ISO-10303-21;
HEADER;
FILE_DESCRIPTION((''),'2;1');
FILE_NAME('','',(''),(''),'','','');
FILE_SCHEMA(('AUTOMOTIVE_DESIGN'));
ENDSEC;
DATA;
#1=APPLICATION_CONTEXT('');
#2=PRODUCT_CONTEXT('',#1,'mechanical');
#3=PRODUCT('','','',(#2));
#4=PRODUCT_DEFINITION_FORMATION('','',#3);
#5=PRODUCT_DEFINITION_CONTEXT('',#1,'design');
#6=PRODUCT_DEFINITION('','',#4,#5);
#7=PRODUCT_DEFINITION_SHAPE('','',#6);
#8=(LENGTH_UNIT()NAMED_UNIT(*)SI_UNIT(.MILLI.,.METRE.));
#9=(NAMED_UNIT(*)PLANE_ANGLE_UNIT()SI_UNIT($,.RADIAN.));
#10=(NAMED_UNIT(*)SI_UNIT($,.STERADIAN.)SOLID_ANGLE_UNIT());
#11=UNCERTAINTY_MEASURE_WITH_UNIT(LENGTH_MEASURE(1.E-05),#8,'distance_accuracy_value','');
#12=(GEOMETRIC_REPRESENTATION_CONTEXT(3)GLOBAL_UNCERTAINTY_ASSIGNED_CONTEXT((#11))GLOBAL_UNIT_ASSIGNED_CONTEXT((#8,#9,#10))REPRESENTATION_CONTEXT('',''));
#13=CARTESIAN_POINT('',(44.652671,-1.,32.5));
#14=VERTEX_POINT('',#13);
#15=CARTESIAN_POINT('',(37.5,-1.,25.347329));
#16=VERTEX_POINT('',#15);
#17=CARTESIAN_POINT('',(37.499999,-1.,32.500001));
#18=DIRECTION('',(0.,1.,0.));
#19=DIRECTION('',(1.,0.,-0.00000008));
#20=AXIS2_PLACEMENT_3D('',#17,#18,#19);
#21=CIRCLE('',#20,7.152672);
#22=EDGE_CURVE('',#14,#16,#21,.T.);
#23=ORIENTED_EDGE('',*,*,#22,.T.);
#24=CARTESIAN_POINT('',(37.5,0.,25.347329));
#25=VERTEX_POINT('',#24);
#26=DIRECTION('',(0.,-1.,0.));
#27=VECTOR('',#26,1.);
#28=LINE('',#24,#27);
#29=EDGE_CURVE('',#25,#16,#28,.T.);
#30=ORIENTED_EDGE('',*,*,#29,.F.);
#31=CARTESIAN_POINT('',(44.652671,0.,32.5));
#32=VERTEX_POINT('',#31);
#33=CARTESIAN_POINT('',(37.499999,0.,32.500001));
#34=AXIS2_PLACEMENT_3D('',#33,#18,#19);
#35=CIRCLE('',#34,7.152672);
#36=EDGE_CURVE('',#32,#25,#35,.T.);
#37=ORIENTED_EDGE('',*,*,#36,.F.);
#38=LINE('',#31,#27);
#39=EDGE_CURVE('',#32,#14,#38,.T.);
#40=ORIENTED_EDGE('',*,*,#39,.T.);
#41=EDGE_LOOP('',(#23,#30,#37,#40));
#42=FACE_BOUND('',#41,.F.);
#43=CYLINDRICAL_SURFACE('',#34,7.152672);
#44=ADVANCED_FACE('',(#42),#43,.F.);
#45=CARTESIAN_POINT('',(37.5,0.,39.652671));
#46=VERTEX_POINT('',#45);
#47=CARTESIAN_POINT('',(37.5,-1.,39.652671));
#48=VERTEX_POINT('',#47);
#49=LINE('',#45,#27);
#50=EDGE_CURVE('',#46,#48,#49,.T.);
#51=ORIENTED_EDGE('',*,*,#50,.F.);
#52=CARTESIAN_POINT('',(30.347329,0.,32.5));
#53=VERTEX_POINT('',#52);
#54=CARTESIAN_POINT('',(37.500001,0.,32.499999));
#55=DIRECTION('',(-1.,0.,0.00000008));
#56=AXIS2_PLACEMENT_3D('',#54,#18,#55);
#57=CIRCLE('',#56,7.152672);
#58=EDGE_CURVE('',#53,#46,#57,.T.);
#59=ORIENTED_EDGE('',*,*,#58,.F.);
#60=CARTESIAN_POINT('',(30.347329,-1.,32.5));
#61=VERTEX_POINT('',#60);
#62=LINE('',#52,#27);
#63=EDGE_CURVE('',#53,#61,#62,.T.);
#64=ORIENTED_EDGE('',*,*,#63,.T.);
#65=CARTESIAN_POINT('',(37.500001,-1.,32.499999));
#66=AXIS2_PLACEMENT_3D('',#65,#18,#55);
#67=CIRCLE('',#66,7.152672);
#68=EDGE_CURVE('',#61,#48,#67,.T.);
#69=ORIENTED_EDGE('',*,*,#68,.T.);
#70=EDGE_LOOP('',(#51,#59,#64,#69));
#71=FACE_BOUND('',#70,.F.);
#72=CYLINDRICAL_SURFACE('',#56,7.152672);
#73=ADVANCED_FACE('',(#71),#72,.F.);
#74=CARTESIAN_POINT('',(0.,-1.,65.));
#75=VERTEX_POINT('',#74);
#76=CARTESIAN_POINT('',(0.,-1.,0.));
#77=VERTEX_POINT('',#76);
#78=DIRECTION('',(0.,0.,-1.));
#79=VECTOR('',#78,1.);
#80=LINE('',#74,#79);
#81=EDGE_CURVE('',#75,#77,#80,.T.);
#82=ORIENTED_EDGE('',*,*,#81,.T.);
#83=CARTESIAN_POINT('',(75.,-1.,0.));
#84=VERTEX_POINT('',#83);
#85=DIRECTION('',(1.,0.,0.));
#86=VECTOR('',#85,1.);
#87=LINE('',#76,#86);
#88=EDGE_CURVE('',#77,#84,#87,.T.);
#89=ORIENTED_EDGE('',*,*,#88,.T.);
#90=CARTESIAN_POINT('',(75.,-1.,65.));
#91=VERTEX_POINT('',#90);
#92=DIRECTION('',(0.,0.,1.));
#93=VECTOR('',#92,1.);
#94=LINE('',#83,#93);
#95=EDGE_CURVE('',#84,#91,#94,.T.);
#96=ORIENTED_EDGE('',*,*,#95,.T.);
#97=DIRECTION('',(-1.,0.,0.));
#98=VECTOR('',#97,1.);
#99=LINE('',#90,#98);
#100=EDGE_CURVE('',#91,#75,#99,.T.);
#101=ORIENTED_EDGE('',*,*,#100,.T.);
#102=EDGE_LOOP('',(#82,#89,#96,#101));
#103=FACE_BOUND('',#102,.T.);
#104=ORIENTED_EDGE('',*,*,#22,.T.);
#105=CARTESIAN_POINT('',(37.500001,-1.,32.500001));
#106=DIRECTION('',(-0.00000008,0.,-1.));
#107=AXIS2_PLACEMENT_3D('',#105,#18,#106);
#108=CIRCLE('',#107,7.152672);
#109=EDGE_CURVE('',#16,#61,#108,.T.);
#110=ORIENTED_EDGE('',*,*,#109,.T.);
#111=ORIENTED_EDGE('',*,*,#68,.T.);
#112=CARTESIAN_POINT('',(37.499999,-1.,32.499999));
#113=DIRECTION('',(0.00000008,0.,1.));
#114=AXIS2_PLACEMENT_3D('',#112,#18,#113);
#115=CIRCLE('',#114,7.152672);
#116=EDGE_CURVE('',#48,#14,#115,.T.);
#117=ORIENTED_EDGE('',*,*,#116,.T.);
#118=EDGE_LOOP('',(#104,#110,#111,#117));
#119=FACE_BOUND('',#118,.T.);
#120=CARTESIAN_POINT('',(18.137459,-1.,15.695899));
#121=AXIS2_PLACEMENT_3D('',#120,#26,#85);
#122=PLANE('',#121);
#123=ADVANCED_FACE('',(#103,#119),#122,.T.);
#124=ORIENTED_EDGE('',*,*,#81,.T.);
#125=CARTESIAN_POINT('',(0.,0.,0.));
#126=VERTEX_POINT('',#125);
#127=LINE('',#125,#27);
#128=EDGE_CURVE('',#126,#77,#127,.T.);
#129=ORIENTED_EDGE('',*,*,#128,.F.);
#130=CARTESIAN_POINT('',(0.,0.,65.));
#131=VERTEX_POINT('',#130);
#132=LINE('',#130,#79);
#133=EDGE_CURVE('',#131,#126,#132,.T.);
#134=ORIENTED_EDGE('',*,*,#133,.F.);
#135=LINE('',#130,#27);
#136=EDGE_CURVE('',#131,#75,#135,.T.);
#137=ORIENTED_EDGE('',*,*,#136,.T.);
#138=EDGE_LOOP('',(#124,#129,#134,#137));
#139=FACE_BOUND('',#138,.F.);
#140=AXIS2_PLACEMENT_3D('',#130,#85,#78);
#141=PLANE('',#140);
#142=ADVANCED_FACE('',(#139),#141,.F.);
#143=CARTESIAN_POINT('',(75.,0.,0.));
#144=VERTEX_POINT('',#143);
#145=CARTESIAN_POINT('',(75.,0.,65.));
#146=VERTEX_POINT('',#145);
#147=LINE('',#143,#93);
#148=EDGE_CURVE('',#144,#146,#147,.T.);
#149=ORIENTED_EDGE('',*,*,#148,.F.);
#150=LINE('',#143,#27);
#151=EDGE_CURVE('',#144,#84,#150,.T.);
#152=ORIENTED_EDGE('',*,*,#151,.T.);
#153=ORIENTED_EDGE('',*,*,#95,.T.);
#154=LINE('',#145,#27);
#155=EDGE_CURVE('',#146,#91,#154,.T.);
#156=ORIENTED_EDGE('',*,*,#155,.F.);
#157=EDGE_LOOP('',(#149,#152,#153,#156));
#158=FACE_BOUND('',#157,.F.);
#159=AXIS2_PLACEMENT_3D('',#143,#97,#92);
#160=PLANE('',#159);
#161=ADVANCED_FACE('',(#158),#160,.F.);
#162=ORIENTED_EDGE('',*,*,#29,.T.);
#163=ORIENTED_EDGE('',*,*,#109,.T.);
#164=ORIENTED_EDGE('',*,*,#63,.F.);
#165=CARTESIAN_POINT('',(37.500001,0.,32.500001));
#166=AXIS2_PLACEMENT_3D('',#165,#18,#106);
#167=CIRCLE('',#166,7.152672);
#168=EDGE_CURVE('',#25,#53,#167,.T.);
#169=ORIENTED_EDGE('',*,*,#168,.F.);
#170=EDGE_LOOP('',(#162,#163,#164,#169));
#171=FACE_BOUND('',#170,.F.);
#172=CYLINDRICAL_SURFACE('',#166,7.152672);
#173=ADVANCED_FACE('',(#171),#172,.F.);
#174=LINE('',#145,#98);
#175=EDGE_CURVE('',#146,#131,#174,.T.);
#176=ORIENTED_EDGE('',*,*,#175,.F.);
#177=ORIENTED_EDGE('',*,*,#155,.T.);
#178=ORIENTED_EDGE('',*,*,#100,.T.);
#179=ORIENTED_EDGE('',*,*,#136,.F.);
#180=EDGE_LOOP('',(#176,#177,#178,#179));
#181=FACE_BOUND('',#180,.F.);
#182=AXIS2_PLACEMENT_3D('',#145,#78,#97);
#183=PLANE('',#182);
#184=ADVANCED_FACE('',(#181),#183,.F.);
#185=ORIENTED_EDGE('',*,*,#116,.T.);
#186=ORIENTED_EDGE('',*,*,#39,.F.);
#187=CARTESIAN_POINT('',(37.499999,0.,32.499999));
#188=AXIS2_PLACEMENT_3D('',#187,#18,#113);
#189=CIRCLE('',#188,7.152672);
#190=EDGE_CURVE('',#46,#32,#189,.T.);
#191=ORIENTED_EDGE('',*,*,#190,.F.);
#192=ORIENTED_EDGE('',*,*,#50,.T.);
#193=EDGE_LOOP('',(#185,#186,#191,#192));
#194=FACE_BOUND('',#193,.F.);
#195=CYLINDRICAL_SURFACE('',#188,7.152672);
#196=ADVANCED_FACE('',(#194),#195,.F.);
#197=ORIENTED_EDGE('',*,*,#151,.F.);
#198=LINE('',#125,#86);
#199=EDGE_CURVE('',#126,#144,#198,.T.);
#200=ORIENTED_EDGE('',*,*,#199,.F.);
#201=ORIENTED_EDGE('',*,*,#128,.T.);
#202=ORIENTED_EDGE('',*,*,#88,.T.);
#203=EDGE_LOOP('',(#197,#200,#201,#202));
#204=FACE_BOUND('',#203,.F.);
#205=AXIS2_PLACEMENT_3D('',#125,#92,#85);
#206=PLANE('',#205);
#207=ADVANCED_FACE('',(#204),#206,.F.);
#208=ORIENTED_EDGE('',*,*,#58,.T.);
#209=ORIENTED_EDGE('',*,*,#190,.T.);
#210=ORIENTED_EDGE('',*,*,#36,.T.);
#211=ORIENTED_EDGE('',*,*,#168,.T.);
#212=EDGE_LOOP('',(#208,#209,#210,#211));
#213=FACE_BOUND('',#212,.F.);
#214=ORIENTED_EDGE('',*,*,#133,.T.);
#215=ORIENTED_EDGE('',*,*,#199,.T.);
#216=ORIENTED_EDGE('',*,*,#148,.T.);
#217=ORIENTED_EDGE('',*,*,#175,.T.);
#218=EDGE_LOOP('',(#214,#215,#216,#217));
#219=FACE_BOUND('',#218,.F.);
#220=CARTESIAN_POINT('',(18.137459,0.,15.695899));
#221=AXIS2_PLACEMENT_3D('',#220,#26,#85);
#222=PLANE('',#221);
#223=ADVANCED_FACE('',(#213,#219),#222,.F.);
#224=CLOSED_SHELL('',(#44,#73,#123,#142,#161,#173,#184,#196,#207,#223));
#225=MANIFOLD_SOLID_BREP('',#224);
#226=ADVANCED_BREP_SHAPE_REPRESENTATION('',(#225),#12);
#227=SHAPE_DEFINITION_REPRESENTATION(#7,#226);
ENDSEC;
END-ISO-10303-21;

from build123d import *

# Parameters (mm, degrees)
F1_DEPTH = 1


with BuildPart() as f1:
    # F0 (on Front) → F1 (new body)
    with BuildSketch(Plane.XZ):
        with BuildLine():
            Line((0, 32.5), (0, 0))
            Line((0, 0), (37.5, 0))
            Line((37.5, 0), (37.5, 25.347329))
            ThreePointArc((37.5, 25.347329), (32.442298, 27.442298), (30.347329, 32.5))
            Line((30.347329, 32.5), (0, 32.5))
        make_face()
        with BuildLine():
            Line((37.5, 25.347329), (37.5, 0))
            Line((37.5, 0), (75, 0))
            Line((75, 0), (75, 32.5))
            Line((75, 32.5), (44.652671, 32.5))
            ThreePointArc((44.652671, 32.5), (42.557702, 27.442298), (37.5, 25.347329))
        make_face()
        with BuildLine():
            Line((0, 65), (0, 32.5))
            Line((0, 32.5), (30.347329, 32.5))
            ThreePointArc((30.347329, 32.5), (32.442298, 37.557702), (37.5, 39.652671))
            Line((37.5, 39.652671), (37.5, 65))
            Line((37.5, 65), (0, 65))
        make_face()
        with BuildLine():
            Line((44.652671, 32.5), (75, 32.5))
            Line((75, 32.5), (75, 65))
            Line((75, 65), (37.5, 65))
            Line((37.5, 65), (37.5, 39.652671))
            ThreePointArc((37.5, 39.652671), (42.557702, 37.557702), (44.652671, 32.5))
        make_face()
    extrude(amount=F1_DEPTH)


solid = f1.part
